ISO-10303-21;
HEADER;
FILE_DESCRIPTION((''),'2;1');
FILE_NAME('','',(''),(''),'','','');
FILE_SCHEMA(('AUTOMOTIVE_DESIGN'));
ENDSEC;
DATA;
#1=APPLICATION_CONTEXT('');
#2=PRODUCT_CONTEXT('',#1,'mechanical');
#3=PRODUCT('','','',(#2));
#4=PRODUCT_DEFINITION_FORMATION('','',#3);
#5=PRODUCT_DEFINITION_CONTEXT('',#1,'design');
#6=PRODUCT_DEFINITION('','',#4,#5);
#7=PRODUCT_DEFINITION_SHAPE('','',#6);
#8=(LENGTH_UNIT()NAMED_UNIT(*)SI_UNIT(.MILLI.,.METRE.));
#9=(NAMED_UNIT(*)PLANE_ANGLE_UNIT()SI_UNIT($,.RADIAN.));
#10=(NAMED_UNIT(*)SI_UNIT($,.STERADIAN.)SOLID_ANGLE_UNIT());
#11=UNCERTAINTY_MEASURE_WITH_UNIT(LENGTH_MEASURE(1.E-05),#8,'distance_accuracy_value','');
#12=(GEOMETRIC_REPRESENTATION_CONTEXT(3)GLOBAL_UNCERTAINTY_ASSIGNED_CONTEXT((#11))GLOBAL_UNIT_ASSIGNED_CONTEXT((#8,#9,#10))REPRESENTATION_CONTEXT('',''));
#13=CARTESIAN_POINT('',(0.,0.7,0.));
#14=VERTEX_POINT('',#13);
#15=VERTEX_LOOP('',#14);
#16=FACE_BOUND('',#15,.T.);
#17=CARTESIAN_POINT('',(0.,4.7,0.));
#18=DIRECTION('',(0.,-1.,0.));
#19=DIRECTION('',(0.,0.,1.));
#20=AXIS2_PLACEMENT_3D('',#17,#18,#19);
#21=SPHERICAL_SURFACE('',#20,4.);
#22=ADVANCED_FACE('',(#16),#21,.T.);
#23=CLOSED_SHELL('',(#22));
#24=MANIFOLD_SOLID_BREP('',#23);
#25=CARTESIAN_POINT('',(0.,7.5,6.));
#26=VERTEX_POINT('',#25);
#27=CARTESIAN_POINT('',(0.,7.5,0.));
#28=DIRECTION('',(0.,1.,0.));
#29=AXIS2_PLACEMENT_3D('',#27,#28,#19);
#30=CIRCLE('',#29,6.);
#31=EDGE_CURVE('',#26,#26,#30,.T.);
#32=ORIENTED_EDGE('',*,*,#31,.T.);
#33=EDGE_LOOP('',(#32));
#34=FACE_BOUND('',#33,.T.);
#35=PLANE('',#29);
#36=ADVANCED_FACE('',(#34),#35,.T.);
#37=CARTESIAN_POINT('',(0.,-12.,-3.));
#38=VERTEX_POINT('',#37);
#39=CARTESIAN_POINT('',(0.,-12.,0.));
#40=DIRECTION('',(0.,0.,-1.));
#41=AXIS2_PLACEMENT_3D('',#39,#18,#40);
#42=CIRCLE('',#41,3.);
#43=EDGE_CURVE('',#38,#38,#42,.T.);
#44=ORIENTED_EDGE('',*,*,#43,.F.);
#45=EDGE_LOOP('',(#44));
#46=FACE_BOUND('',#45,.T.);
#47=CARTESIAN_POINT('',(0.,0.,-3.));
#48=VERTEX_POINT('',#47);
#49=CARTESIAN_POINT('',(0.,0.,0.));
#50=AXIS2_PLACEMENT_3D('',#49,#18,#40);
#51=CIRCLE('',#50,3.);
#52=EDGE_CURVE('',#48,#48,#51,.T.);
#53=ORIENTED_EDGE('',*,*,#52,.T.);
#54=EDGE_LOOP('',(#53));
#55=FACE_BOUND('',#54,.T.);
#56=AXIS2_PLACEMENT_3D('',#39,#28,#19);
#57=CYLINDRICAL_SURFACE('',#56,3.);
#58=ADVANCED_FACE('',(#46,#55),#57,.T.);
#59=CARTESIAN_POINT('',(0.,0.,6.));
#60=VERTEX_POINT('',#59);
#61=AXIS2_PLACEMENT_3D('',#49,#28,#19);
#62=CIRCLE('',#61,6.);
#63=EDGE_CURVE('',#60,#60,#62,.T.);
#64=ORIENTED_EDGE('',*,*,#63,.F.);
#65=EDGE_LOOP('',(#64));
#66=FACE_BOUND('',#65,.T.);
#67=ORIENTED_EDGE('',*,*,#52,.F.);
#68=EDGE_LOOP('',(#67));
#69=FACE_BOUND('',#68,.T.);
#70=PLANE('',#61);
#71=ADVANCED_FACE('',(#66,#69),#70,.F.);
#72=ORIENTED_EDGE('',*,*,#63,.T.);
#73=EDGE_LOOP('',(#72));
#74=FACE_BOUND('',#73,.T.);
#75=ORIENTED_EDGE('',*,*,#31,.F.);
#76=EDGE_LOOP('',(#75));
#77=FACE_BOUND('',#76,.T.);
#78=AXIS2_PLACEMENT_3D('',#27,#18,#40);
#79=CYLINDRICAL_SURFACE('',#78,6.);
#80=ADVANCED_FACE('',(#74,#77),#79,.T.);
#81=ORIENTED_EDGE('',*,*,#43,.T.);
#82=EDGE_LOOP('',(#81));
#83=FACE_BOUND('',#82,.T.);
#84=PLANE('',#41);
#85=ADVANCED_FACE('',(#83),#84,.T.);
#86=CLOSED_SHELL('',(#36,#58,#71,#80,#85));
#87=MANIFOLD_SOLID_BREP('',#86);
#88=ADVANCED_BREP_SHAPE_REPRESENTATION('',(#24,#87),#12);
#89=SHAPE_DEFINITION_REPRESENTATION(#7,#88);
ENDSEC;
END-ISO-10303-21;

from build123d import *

# Parameters (mm, degrees)
ESQUISSE1_R        = 6
BOSS_EXTRU_1_DEPTH = 7.5
ESQUISSE3_R        = 3
BOSS_EXTRU_2_DEPTH = 12


with BuildPart() as part:
    # Esquisse1 → Boss.-Extru.1 (new body)
    with BuildSketch(Plane(origin=(0, 0, 0), x_dir=(1, 0, 0), z_dir=(0, 1, 0))):
        with Locations(Location((0, 0, 0), (0, 0, 270))):
            Circle(ESQUISSE1_R)
    extrude(amount=BOSS_EXTRU_1_DEPTH)

    # Esquisse3 → Boss.-Extru.2 (add)
    with BuildSketch(Plane.XZ):
        with Locations(Location((0, 0, 0), (0, 0, 270))):
            Circle(ESQUISSE3_R)
    extrude(amount=BOSS_EXTRU_2_DEPTH)


with BuildPart() as body_2:
    # Esquisse2 → Révolution6 (revolve)
    with BuildSketch(Plane(origin=(0, 0, 0), x_dir=(0, 0, -1), z_dir=(1, 0, 0))):
        with BuildLine():
            Line((0, 0.7), (0, 8.7))
            ThreePointArc((0, 8.7), (-4, 4.7), (0, 0.7))
        make_face()
    revolve(axis=Axis((0, 0, 0), (0, 1, 0)))


solid = Compound([part.part, body_2.part])
